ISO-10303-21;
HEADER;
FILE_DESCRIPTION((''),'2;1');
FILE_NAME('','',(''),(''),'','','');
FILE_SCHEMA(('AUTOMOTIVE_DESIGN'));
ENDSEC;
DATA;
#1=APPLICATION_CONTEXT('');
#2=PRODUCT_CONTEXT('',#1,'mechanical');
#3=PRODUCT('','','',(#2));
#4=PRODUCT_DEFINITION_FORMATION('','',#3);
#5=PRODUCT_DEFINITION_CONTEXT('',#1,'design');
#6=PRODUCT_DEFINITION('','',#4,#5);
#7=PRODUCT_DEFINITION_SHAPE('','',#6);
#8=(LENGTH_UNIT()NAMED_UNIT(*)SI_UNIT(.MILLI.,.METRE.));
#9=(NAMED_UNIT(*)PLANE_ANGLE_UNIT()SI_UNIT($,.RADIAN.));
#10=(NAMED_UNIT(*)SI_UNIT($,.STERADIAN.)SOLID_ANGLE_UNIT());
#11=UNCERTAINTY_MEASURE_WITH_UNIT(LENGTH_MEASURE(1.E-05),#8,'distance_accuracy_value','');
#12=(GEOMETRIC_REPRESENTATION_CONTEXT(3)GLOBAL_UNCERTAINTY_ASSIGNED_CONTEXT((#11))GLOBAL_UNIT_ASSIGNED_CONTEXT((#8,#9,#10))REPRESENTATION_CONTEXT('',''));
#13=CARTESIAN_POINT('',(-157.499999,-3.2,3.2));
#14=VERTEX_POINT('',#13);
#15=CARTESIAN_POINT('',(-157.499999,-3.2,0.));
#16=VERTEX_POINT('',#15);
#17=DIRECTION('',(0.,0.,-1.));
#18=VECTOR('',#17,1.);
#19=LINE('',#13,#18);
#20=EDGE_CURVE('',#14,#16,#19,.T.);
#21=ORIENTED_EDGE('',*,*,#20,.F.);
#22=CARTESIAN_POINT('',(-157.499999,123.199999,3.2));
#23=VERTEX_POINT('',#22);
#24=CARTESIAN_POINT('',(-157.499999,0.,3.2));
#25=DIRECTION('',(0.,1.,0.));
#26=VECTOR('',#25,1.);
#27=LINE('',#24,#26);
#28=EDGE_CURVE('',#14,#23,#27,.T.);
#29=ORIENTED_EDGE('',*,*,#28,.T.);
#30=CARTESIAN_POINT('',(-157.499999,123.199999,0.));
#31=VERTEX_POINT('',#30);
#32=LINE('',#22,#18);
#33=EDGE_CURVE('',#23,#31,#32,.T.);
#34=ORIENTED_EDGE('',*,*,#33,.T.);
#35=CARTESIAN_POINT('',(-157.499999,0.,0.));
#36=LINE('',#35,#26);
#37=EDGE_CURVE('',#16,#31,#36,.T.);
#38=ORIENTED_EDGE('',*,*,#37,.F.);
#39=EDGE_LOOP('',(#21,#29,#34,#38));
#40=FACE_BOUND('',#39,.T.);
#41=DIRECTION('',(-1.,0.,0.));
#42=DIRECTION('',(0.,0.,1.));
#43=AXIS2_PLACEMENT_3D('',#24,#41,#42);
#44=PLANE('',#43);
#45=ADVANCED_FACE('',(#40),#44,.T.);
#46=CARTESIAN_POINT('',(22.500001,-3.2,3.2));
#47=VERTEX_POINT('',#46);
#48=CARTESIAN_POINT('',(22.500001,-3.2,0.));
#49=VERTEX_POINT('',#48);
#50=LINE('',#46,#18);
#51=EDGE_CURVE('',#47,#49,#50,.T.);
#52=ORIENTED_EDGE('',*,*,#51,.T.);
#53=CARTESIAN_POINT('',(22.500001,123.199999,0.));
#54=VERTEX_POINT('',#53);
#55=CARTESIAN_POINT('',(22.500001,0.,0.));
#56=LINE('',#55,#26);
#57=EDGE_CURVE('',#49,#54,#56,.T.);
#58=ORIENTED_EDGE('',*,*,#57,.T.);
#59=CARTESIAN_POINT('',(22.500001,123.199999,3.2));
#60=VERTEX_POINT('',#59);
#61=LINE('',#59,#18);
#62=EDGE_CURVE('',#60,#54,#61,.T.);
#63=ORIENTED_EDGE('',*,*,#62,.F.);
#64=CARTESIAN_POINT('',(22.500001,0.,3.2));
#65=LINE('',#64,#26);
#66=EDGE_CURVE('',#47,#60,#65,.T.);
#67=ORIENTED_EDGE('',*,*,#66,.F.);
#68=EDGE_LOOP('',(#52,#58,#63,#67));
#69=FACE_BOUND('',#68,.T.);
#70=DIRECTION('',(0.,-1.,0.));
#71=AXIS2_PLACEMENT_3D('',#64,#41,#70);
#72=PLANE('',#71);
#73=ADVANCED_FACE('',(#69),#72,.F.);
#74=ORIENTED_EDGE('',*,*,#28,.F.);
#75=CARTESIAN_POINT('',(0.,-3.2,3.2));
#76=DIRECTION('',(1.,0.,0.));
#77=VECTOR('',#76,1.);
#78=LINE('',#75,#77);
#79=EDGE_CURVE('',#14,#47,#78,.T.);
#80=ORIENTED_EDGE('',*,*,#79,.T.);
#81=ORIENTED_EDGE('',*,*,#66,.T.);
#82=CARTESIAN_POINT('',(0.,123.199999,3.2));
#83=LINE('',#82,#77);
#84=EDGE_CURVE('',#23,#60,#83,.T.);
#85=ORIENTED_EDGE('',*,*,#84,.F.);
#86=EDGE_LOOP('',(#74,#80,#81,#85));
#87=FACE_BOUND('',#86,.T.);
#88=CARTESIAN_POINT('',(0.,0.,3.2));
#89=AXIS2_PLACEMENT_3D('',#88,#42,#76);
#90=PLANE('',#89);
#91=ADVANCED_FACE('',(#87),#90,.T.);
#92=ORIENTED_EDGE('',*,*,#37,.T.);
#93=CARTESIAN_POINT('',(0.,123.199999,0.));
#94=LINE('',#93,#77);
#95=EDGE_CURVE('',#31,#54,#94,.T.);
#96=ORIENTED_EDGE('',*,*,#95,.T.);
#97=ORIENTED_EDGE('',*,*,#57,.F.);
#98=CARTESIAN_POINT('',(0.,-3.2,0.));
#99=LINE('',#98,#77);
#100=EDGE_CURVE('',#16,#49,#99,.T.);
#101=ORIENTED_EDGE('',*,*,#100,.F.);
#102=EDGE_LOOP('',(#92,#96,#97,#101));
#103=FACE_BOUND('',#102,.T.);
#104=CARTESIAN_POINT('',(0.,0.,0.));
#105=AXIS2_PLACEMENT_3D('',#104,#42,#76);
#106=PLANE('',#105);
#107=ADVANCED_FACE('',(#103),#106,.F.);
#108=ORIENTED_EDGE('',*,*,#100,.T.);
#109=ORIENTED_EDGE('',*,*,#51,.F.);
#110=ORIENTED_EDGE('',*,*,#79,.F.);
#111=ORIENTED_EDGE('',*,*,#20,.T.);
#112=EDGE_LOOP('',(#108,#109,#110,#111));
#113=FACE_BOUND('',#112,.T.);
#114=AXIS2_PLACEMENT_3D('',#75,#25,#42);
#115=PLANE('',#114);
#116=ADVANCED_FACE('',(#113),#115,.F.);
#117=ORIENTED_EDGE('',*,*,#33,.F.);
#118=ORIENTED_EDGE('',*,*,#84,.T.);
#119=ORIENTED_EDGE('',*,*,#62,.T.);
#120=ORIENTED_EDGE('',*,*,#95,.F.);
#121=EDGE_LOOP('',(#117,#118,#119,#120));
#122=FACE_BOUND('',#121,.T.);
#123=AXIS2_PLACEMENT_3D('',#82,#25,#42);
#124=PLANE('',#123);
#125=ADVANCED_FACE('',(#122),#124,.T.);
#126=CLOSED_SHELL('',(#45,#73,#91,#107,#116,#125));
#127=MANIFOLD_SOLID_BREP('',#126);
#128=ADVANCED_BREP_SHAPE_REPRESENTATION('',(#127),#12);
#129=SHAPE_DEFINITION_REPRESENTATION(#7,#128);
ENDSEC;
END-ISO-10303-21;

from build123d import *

# Parameters (mm, degrees)
BOSS_EXTRUDE1_DEPTH = 3.2


with BuildPart() as part:
    # Sketch1 → Boss-Extrude1 (new body)
    with BuildSketch(Plane.XY):
        Polygon((22.500001148, -3.2), (22.500001148, 9.999999357), (22.500001148, 109.999999357), (22.500001148, 123.199998713), (-157.49999917, 123.199998713), (-157.49999917, -3.2), align=None)
    extrude(amount=BOSS_EXTRUDE1_DEPTH)


solid = part.part
